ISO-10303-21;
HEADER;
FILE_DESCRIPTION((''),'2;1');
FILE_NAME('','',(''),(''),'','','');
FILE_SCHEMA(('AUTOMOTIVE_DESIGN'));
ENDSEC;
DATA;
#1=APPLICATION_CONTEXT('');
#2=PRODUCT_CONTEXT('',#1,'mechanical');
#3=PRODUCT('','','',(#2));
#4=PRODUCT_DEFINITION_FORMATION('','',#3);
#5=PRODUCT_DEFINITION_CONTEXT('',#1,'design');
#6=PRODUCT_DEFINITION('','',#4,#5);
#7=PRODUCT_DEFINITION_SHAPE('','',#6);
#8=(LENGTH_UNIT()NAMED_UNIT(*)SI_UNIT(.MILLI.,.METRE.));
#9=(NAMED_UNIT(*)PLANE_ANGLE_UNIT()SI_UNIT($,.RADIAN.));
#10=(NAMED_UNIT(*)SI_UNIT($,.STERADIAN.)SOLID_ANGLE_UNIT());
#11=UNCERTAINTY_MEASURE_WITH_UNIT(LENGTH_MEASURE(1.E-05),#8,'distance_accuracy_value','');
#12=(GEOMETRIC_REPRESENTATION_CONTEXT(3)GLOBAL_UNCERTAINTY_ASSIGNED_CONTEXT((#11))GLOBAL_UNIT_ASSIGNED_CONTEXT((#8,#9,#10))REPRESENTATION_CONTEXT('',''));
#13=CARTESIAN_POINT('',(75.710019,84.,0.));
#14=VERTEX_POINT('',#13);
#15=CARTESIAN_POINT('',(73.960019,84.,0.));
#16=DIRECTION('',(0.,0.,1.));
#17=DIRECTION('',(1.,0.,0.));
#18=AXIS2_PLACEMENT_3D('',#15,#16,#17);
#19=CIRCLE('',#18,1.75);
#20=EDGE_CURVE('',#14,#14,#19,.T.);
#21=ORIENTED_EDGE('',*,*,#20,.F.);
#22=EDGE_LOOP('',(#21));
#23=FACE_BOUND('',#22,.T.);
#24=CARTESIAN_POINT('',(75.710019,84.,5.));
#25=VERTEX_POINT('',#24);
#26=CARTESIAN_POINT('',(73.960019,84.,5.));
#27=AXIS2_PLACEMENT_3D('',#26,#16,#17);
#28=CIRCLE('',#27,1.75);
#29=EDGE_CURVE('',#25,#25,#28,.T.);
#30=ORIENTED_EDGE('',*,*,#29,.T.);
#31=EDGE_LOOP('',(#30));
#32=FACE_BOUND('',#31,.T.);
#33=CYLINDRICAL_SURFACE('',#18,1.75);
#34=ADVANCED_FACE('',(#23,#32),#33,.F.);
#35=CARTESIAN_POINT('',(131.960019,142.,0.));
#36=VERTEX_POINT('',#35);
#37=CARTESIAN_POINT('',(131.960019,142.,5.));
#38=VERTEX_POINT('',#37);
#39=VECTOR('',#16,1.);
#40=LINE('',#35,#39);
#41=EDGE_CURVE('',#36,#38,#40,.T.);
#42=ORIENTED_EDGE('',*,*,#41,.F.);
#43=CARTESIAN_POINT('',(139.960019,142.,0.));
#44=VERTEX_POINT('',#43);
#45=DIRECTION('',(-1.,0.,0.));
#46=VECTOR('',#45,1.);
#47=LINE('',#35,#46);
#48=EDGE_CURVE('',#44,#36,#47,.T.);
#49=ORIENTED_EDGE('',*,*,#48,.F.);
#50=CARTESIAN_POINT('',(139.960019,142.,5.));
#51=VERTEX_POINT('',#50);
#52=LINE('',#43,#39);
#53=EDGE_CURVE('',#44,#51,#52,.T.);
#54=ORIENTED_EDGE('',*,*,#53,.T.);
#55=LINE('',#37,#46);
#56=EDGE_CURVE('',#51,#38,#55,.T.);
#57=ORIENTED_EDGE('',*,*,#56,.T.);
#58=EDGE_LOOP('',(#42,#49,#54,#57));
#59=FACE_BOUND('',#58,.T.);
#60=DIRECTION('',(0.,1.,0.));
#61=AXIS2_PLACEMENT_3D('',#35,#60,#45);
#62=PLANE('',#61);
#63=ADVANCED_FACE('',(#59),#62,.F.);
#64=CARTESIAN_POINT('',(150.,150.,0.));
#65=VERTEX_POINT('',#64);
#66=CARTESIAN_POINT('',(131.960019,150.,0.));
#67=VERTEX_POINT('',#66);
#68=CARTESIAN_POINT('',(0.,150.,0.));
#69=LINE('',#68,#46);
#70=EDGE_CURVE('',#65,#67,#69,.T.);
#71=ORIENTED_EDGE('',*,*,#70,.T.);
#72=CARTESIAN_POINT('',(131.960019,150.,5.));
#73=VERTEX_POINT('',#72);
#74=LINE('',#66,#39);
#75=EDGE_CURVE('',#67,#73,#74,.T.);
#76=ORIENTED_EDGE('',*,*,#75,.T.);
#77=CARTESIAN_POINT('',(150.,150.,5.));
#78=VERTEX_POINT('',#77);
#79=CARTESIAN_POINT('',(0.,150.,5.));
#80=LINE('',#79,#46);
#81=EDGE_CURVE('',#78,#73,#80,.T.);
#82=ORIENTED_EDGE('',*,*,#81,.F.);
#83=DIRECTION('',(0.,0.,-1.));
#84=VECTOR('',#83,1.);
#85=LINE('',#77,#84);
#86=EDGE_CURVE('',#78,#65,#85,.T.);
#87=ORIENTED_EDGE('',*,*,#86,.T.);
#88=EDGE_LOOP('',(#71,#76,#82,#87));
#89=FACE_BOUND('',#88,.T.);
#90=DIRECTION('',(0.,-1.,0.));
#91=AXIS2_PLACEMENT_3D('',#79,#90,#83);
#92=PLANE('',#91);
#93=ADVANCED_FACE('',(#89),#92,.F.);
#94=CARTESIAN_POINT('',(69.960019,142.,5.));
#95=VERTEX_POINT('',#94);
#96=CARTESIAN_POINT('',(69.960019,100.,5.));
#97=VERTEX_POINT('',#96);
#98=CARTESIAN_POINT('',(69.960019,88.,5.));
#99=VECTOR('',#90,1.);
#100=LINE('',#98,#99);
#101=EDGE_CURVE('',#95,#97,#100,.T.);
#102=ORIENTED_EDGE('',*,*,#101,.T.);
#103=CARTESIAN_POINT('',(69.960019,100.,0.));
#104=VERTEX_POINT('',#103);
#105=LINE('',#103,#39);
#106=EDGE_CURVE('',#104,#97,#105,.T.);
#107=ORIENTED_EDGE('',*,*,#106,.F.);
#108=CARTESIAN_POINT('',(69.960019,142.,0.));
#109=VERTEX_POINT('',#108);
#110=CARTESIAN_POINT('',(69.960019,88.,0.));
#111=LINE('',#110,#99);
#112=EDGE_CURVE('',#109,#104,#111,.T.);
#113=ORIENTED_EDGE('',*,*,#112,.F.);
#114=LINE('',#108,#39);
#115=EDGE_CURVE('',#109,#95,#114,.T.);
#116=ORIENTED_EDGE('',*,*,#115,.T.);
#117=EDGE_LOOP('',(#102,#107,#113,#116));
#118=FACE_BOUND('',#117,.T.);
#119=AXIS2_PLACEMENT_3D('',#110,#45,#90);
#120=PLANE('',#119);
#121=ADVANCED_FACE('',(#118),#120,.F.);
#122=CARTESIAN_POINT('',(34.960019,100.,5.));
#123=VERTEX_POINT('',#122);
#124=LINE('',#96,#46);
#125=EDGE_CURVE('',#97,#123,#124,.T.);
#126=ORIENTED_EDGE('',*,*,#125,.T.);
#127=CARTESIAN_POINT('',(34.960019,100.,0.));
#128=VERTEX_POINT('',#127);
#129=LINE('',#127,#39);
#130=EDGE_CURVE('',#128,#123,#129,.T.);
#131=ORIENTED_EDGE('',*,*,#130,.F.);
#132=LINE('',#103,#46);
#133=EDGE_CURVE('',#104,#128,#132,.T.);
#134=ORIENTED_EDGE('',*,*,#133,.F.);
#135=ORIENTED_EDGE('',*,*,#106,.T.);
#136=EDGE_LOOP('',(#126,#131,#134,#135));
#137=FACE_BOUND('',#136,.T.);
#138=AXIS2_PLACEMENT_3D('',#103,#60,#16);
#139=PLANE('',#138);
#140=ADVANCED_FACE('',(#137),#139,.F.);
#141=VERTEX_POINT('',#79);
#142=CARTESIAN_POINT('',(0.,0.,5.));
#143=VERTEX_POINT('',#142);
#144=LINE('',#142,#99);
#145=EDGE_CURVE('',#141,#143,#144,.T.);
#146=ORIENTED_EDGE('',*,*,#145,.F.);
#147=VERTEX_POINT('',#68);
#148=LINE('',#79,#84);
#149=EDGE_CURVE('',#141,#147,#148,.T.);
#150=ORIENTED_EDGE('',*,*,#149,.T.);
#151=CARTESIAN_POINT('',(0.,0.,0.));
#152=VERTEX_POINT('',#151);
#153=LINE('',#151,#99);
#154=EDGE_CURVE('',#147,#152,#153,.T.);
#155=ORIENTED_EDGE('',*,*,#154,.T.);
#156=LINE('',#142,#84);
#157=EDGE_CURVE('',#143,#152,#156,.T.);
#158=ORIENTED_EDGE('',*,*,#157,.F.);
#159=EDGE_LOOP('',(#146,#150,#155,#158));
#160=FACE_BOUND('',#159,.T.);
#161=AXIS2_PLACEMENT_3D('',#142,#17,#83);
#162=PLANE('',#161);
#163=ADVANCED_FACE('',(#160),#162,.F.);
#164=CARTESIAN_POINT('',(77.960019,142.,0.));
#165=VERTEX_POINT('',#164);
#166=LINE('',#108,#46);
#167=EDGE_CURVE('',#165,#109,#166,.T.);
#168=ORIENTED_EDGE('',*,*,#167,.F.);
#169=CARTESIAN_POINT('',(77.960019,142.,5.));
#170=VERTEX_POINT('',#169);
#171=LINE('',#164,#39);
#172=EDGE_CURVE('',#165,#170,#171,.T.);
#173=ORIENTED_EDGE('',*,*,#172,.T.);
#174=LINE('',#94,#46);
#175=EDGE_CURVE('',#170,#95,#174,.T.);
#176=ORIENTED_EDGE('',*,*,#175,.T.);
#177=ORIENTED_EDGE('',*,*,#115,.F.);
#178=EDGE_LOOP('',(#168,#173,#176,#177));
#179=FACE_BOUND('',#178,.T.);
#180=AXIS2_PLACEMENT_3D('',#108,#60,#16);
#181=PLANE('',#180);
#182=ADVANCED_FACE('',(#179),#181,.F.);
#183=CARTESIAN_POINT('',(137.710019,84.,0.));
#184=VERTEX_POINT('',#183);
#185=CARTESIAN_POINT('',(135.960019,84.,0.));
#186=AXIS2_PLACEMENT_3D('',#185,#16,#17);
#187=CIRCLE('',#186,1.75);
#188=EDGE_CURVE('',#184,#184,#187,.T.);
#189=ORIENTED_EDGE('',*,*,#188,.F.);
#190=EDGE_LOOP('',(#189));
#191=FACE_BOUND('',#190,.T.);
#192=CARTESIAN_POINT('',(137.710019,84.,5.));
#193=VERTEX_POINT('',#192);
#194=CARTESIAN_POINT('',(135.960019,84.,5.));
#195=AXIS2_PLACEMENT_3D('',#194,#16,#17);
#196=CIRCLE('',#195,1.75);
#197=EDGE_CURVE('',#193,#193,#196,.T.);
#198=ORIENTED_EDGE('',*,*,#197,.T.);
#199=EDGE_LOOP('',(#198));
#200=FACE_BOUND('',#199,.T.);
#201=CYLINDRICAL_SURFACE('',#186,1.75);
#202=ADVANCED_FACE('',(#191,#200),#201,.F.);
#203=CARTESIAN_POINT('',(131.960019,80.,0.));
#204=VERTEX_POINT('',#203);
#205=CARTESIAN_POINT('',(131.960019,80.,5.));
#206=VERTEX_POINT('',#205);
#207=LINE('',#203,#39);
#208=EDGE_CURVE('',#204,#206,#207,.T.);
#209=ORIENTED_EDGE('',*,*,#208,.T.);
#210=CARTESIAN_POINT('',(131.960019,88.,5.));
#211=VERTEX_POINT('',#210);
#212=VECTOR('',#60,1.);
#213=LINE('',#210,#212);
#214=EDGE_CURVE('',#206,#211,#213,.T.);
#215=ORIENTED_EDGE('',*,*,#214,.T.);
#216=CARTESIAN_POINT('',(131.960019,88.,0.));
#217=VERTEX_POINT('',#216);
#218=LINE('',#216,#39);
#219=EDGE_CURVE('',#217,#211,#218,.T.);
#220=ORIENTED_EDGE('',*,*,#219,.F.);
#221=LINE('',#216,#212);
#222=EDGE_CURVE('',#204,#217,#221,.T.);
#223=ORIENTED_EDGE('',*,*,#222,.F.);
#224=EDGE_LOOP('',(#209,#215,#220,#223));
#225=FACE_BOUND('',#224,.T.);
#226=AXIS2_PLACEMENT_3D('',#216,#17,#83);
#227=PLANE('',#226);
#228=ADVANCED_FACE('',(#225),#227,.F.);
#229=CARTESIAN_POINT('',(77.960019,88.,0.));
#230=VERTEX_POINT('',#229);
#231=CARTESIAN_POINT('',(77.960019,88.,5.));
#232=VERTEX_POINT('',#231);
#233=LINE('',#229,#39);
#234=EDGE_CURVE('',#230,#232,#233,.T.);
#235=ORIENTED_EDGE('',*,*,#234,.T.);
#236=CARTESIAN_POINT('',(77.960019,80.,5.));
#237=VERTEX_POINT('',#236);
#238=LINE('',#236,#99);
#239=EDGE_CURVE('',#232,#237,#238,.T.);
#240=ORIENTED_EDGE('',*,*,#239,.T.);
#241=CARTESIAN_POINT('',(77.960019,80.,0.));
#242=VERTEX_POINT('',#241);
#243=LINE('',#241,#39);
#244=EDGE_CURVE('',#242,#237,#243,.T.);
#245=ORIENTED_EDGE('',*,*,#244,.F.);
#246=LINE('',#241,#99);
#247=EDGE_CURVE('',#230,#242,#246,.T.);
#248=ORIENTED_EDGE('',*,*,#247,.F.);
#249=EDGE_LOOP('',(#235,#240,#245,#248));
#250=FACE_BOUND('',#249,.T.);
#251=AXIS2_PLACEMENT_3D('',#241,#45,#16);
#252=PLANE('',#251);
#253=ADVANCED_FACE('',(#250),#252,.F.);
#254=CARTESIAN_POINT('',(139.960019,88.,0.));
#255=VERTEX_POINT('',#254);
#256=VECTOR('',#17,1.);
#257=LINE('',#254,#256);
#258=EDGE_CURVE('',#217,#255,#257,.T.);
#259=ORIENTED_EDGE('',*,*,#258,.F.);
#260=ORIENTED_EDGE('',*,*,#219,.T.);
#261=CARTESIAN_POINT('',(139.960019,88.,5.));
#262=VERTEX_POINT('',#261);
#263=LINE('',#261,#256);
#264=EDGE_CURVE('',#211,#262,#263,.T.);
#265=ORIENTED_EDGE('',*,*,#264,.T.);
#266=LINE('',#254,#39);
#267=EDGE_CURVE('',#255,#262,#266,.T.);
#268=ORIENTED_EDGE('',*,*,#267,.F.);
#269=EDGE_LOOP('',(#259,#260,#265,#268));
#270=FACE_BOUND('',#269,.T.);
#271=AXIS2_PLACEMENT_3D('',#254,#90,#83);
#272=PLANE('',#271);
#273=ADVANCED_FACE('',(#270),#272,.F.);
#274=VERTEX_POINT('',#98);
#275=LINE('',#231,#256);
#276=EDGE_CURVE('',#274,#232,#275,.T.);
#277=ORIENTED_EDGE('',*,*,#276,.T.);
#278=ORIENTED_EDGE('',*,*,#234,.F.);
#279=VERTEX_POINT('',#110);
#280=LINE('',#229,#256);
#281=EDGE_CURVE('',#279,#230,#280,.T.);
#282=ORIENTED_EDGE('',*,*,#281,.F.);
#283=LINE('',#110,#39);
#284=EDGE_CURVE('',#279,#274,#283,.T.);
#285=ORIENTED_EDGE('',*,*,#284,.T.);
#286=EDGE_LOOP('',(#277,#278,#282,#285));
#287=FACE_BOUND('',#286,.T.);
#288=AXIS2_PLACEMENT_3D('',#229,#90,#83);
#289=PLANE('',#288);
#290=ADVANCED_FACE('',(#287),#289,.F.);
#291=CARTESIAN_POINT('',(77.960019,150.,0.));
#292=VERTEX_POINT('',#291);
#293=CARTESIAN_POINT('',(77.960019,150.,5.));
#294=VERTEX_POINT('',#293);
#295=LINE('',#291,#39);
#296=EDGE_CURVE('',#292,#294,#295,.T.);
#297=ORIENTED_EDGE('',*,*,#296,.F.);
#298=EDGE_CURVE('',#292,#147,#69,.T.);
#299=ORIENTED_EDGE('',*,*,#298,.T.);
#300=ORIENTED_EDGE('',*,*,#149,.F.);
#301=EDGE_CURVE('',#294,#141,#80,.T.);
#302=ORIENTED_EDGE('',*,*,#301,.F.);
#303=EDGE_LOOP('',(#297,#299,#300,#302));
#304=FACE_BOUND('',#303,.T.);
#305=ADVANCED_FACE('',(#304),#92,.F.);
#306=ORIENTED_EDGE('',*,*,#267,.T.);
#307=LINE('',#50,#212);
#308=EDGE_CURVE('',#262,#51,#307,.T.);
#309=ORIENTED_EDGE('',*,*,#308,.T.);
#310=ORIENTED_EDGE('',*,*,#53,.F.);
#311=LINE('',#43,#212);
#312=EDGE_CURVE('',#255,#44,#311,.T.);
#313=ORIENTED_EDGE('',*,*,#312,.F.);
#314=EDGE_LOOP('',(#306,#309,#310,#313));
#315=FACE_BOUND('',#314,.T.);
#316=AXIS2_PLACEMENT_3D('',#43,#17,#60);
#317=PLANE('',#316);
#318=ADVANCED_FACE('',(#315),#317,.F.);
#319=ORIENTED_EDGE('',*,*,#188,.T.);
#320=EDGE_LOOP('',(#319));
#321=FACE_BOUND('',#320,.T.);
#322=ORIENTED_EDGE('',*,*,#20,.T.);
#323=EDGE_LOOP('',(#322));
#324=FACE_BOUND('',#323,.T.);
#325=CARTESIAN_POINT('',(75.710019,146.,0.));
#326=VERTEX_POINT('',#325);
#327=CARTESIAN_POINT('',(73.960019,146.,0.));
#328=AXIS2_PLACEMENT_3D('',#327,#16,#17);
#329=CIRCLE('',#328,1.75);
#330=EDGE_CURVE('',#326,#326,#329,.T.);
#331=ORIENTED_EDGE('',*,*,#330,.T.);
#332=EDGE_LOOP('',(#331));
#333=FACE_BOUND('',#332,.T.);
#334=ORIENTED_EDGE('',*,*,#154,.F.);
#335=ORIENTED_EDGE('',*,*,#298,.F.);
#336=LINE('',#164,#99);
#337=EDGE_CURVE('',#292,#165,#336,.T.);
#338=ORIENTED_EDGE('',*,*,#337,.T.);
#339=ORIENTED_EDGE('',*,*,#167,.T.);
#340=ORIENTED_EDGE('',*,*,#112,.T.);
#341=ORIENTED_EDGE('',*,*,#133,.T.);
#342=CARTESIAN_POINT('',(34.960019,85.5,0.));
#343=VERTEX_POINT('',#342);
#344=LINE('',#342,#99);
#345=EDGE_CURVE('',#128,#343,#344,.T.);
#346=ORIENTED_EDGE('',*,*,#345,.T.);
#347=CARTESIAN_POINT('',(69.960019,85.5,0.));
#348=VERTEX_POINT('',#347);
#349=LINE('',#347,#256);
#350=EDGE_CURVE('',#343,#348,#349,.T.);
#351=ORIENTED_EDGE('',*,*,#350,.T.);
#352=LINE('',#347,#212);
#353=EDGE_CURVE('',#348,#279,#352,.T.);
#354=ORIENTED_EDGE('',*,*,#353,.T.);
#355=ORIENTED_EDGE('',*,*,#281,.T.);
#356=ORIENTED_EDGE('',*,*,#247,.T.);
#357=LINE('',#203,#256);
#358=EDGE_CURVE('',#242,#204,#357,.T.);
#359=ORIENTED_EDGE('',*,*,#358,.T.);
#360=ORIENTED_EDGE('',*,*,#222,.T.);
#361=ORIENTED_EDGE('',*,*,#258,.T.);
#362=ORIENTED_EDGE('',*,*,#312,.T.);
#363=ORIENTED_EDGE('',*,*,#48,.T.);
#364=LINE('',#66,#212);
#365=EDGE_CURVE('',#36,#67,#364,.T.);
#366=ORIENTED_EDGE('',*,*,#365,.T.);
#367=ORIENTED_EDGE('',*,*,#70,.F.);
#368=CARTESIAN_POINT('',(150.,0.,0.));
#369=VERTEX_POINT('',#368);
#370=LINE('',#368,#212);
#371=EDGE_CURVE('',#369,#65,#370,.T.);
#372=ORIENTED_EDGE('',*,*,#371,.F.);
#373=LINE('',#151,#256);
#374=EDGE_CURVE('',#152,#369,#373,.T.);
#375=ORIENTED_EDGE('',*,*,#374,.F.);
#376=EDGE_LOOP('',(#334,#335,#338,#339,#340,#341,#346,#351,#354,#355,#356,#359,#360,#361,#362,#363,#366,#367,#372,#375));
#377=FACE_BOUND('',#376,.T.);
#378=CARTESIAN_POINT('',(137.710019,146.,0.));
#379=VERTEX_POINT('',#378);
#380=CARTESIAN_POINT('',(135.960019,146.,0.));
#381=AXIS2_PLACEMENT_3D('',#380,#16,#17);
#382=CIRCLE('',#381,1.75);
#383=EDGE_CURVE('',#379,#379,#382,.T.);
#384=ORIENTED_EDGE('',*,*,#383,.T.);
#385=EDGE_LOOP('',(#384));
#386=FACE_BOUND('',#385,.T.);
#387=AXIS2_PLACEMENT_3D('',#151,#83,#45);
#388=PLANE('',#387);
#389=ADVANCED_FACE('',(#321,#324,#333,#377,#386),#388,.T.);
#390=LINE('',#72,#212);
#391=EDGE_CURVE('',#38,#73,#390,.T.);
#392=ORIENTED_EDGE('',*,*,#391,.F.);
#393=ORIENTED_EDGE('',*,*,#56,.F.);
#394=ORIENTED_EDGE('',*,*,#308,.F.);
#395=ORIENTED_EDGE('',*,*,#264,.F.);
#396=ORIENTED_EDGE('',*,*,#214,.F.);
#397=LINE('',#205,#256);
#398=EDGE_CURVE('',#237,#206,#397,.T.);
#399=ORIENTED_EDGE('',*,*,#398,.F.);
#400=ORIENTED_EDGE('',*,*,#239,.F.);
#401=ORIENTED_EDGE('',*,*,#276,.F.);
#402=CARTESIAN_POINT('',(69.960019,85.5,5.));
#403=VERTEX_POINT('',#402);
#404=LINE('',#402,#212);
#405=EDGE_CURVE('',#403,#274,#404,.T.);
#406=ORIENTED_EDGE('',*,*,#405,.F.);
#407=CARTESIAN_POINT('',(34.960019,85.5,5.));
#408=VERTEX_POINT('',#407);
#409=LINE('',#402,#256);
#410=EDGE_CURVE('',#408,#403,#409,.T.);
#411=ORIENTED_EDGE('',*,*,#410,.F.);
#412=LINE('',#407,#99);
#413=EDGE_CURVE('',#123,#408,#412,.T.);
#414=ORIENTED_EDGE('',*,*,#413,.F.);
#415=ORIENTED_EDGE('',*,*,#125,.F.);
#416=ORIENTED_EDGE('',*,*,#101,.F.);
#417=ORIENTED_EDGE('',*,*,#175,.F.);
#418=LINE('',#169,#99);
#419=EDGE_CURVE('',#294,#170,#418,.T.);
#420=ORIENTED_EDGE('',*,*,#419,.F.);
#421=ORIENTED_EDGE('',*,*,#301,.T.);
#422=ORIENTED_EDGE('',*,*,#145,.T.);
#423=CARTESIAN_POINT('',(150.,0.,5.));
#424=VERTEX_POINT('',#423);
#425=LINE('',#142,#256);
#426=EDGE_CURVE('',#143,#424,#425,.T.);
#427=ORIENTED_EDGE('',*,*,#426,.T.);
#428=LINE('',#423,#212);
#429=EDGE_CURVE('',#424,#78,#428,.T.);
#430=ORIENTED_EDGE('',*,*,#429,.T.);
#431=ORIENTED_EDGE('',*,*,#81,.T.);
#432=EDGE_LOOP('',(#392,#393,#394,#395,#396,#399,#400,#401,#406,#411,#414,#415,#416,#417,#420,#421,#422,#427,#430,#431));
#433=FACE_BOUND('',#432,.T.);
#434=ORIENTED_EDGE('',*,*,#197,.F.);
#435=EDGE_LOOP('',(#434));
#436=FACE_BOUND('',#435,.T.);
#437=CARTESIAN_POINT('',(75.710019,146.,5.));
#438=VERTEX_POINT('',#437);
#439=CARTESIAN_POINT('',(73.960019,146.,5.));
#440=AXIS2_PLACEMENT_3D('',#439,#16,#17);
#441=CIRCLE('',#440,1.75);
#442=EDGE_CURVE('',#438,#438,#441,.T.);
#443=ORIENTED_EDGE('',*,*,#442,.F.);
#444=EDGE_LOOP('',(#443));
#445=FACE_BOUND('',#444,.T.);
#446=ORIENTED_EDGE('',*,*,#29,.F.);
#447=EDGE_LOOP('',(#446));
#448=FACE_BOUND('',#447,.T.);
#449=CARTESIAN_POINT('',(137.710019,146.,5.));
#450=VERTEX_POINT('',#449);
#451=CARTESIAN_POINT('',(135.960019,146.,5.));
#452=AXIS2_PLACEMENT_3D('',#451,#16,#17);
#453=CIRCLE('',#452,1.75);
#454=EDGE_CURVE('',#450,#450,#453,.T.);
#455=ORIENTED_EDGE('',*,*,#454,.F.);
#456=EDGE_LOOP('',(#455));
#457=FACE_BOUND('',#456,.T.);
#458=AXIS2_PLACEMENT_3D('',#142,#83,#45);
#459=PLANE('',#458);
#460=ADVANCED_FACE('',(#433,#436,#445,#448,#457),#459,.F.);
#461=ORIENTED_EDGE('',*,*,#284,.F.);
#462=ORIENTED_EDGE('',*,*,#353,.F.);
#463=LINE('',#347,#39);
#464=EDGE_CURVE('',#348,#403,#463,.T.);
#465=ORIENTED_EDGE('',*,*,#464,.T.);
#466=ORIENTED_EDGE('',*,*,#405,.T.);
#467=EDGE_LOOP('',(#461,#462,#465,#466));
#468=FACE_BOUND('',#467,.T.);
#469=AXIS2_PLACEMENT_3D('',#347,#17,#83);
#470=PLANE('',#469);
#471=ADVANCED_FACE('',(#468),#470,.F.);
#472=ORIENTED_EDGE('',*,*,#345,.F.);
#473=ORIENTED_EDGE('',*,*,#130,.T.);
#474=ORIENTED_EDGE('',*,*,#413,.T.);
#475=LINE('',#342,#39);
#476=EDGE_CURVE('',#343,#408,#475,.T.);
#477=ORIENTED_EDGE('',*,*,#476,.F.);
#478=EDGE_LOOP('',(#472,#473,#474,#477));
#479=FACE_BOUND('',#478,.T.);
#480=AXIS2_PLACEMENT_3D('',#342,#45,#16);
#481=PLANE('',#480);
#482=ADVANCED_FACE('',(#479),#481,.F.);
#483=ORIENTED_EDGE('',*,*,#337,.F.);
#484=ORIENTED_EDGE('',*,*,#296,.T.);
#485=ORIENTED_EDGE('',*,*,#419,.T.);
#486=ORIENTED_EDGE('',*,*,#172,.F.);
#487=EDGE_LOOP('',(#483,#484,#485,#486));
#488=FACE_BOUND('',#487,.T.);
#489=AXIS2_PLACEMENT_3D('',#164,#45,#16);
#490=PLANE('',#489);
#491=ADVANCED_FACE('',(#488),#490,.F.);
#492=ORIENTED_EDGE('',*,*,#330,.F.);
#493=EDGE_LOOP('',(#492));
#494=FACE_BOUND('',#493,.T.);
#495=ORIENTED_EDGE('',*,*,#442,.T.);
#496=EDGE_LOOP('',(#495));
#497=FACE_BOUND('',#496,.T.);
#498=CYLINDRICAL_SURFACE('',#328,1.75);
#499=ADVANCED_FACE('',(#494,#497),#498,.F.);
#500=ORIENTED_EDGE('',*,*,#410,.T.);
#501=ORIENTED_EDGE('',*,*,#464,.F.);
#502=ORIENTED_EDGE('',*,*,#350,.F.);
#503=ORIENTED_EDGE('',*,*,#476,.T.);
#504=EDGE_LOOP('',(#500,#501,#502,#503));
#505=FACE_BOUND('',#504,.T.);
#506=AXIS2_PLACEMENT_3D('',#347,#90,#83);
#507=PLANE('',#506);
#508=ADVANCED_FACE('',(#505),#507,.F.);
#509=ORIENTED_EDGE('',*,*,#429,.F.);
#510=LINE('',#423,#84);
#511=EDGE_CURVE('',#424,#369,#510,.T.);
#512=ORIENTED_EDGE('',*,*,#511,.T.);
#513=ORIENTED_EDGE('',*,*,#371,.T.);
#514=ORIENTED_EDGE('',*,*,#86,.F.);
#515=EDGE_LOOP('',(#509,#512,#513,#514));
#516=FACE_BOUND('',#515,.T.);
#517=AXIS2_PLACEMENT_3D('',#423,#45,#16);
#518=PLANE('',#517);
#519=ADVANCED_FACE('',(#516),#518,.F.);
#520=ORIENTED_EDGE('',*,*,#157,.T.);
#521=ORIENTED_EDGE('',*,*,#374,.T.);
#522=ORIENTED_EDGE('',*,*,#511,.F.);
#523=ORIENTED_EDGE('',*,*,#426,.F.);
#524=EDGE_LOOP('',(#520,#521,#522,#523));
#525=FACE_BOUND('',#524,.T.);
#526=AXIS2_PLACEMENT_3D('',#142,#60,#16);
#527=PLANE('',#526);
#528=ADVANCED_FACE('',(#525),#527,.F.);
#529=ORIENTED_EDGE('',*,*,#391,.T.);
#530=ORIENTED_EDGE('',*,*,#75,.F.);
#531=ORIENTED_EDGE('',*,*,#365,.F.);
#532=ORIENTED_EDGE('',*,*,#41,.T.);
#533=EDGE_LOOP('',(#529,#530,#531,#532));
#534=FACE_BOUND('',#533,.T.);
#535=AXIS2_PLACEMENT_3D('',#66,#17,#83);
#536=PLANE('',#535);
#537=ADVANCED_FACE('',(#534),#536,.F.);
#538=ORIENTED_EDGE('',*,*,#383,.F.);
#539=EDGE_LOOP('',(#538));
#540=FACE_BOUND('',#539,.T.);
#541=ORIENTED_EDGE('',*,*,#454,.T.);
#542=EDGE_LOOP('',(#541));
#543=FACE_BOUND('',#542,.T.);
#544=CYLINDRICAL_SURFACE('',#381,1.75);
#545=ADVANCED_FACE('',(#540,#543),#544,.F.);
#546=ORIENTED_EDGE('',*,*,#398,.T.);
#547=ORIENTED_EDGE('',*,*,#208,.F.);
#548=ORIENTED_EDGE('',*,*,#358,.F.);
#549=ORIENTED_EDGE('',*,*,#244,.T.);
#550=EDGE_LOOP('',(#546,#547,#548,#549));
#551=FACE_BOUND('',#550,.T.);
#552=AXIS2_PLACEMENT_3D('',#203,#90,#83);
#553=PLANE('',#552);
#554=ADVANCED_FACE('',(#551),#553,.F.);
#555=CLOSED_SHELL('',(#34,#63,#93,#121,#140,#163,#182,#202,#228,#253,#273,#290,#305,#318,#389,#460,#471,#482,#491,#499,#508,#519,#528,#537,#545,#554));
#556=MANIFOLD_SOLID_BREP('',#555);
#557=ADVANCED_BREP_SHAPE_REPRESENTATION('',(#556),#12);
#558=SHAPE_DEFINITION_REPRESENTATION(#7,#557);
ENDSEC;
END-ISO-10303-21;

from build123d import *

# Parameters (mm, degrees)
SKETCH1_W           = 150
SKETCH1_H           = 150
BOSS_EXTRUDE1_DEPTH = 5
SKETCH2_R           = 1.75
CUT_EXTRUDE1_DEPTH  = 213.190951739
SKETCH3_W           = 35
SKETCH3_H           = 14.5
CUT_EXTRUDE2_DEPTH  = 213.190951739


with BuildPart() as part:
    # Sketch1 → Boss-Extrude1 (new body)
    with BuildSketch(Plane.XY):
        with Locations((75, 75)):
            Rectangle(SKETCH1_W, SKETCH1_H)
    extrude(amount=BOSS_EXTRUDE1_DEPTH)

    # Sketch2 → Cut-Extrude1 (cut, through all)
    with BuildSketch(Plane.XY.offset(5)):
        with Locations((73.960018565, 84)):
            Circle(SKETCH2_R)
        with Locations((73.960018565, 146)):
            Circle(SKETCH2_R)
        with Locations((135.960018565, 146)):
            Circle(SKETCH2_R)
        with Locations((135.960018565, 84)):
            Circle(SKETCH2_R)
        Polygon((77.960018565, 150), (131.960018565, 150), (131.960018565, 142), (139.960018565, 142), (139.960018565, 88), (131.960018565, 88), (131.960018565, 80), (77.960018565, 80), (77.960018565, 88), (69.960018565, 88), (69.960018565, 142), (77.960018565, 142), align=None)
    extrude(amount=-CUT_EXTRUDE1_DEPTH, mode=Mode.SUBTRACT)

    # Sketch3 → Cut-Extrude2 (cut, through all)
    with BuildSketch(Plane.XY.offset(5)):
        with Locations((52.460018565, 92.75)):
            Rectangle(SKETCH3_W, SKETCH3_H)
    extrude(amount=-CUT_EXTRUDE2_DEPTH, mode=Mode.SUBTRACT)


solid = part.part
